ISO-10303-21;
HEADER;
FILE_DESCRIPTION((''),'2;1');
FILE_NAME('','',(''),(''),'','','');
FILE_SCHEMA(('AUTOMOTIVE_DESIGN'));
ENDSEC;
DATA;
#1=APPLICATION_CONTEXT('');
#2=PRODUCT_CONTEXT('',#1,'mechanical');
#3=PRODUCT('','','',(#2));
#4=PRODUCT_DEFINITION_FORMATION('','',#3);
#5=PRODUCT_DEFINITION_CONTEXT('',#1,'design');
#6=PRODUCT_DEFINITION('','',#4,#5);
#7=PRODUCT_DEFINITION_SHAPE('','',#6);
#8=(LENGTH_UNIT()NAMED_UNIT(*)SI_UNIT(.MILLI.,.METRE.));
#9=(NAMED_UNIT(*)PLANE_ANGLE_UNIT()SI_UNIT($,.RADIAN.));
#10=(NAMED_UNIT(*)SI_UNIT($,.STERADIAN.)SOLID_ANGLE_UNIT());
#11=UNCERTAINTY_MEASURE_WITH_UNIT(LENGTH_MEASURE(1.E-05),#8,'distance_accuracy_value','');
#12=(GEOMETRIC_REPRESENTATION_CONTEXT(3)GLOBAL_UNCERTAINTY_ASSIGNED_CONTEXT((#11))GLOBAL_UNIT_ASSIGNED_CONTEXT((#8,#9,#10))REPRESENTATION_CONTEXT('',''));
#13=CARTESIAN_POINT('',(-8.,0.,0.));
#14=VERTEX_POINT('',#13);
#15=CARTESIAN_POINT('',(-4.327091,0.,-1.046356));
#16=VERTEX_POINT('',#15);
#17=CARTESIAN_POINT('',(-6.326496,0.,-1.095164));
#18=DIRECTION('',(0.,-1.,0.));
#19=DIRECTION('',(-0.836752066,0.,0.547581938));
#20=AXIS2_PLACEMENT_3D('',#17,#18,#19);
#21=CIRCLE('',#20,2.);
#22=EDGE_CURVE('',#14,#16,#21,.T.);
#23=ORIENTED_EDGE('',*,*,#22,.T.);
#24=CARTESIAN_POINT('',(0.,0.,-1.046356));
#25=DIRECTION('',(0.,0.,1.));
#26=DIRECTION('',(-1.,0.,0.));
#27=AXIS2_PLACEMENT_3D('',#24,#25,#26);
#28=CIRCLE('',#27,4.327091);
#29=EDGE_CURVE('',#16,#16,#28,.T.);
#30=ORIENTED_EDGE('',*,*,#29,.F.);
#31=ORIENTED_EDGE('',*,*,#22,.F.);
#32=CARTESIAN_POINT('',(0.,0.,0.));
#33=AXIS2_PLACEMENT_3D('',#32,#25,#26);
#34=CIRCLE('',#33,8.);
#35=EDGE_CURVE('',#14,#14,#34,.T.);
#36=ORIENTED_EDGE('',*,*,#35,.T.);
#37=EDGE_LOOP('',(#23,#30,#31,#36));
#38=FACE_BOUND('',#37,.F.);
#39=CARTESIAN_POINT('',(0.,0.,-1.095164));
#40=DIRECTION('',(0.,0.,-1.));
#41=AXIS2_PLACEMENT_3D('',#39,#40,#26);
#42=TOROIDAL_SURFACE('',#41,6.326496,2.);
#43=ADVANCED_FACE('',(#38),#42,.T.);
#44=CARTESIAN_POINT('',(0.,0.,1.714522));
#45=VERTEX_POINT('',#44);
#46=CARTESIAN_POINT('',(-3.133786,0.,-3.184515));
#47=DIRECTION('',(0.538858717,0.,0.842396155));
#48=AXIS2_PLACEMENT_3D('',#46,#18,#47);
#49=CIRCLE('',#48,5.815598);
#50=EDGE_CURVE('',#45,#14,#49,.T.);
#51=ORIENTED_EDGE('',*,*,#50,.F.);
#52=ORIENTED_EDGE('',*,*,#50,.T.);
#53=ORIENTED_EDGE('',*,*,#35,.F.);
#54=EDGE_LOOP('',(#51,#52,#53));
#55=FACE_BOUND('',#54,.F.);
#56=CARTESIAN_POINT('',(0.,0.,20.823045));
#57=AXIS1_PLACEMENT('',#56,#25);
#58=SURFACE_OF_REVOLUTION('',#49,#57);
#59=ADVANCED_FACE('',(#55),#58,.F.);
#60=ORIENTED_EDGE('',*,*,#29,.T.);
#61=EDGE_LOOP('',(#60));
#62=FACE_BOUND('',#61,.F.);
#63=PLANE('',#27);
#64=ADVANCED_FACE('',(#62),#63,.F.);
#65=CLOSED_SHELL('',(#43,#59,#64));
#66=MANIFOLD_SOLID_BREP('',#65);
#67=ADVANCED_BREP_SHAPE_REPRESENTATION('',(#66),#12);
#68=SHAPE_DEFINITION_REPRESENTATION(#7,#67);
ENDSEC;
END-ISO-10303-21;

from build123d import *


with BuildPart() as f2:
    # F1 (on Front) → F2 (revolve)
    with BuildSketch(Plane.XZ):
        with BuildLine():
            Line((0, 0), (0, 1.714522))
            ThreePointArc((0, 1.714522), (-4.352483, 2.501956), (-8, 0))
            Line((-8, 0), (0, 0))
        make_face()
        with BuildLine():
            Line((0, 0), (-8, 0))
            ThreePointArc((-8, 0), (-6.874463, -3.018633), (-4.327091, -1.046356))
            Line((-4.327091, -1.046356), (0, -1.046356))
            Line((0, -1.046356), (0, 0))
        make_face()
    revolve(axis=Axis((0, 0, 20.823045), (0, 0, 1)))


solid = f2.part
